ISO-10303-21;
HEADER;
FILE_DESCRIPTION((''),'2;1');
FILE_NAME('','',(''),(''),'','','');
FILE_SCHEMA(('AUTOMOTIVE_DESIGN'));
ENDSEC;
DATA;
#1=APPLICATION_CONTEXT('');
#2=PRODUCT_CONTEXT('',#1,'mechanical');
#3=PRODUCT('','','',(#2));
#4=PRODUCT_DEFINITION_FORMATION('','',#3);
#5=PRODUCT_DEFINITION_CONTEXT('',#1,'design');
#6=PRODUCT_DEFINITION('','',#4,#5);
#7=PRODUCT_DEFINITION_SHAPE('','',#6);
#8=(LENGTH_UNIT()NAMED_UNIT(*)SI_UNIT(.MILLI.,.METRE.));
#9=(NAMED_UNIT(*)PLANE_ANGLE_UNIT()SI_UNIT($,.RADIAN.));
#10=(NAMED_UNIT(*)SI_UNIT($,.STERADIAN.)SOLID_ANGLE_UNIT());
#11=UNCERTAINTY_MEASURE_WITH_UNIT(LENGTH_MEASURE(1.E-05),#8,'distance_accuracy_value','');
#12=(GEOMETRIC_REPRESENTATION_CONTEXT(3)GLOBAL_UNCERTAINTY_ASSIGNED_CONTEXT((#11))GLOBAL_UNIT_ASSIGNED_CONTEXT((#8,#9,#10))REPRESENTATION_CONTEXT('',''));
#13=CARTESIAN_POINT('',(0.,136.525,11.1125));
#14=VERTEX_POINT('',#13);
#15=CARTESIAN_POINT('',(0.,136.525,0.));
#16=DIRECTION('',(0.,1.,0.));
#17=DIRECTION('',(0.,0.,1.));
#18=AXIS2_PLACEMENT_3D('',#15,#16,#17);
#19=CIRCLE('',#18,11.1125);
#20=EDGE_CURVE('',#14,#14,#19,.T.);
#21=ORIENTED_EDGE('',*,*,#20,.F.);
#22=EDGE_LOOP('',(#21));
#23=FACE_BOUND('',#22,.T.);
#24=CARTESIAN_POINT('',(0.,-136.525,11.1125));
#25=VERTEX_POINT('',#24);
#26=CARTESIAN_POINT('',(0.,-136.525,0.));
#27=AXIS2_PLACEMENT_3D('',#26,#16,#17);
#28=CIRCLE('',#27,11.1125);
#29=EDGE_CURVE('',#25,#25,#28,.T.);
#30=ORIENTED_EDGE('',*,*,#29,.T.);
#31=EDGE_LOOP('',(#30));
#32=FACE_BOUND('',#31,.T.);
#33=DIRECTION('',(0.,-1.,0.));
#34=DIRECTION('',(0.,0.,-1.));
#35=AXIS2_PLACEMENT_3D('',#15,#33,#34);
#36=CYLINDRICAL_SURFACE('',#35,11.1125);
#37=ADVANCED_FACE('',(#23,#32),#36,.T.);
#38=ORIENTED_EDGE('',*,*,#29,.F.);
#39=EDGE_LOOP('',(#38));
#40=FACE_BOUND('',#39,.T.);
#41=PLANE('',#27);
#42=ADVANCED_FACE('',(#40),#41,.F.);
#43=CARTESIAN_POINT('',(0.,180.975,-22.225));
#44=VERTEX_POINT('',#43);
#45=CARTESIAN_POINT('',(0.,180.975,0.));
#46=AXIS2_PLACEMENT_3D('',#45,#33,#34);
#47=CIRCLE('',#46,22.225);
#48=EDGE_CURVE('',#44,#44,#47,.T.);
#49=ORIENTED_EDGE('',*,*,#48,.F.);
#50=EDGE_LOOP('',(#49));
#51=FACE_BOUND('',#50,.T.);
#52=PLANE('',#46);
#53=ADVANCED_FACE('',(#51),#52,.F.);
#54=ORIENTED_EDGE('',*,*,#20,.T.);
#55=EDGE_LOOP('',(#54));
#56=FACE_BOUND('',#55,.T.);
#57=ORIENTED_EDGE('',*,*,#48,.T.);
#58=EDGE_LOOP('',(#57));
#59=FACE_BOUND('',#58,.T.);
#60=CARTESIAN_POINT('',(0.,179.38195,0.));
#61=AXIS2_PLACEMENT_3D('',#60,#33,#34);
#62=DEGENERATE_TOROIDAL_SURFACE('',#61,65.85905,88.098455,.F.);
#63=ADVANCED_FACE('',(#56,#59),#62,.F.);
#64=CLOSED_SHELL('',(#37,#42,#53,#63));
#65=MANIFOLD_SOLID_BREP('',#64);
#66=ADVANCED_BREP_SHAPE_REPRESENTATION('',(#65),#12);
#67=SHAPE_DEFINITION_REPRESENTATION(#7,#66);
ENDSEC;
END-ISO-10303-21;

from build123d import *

# Parameters (mm, degrees)
SKETCH1_R           = 11.1125
BOSS_EXTRUDE1_DEPTH = 136.525


with BuildPart() as part:
    # Sketch1 → Boss-Extrude1 (new body, symmetric)
    with BuildSketch(Plane(origin=(0, 0, 0), x_dir=(1, 0, 0), z_dir=(0, 1, 0))):
        Circle(SKETCH1_R)
    extrude(amount=BOSS_EXTRUDE1_DEPTH, both=True)

    # Sketch3 → Revolve1 (revolve)
    with BuildSketch(Plane.XY):
        with BuildLine():
            Line((0, 136.525), (0, 180.975))
            Line((0, 180.975), (-22.225, 180.975))
            ThreePointArc((-22.225, 180.975), (-19.609004826, 158.014936294), (-11.1125, 136.525))
            Line((-11.1125, 136.525), (0, 136.525))
        make_face()
    revolve(axis=Axis((0, 136.525, 0), (0, 1, 0)))


solid = part.part
